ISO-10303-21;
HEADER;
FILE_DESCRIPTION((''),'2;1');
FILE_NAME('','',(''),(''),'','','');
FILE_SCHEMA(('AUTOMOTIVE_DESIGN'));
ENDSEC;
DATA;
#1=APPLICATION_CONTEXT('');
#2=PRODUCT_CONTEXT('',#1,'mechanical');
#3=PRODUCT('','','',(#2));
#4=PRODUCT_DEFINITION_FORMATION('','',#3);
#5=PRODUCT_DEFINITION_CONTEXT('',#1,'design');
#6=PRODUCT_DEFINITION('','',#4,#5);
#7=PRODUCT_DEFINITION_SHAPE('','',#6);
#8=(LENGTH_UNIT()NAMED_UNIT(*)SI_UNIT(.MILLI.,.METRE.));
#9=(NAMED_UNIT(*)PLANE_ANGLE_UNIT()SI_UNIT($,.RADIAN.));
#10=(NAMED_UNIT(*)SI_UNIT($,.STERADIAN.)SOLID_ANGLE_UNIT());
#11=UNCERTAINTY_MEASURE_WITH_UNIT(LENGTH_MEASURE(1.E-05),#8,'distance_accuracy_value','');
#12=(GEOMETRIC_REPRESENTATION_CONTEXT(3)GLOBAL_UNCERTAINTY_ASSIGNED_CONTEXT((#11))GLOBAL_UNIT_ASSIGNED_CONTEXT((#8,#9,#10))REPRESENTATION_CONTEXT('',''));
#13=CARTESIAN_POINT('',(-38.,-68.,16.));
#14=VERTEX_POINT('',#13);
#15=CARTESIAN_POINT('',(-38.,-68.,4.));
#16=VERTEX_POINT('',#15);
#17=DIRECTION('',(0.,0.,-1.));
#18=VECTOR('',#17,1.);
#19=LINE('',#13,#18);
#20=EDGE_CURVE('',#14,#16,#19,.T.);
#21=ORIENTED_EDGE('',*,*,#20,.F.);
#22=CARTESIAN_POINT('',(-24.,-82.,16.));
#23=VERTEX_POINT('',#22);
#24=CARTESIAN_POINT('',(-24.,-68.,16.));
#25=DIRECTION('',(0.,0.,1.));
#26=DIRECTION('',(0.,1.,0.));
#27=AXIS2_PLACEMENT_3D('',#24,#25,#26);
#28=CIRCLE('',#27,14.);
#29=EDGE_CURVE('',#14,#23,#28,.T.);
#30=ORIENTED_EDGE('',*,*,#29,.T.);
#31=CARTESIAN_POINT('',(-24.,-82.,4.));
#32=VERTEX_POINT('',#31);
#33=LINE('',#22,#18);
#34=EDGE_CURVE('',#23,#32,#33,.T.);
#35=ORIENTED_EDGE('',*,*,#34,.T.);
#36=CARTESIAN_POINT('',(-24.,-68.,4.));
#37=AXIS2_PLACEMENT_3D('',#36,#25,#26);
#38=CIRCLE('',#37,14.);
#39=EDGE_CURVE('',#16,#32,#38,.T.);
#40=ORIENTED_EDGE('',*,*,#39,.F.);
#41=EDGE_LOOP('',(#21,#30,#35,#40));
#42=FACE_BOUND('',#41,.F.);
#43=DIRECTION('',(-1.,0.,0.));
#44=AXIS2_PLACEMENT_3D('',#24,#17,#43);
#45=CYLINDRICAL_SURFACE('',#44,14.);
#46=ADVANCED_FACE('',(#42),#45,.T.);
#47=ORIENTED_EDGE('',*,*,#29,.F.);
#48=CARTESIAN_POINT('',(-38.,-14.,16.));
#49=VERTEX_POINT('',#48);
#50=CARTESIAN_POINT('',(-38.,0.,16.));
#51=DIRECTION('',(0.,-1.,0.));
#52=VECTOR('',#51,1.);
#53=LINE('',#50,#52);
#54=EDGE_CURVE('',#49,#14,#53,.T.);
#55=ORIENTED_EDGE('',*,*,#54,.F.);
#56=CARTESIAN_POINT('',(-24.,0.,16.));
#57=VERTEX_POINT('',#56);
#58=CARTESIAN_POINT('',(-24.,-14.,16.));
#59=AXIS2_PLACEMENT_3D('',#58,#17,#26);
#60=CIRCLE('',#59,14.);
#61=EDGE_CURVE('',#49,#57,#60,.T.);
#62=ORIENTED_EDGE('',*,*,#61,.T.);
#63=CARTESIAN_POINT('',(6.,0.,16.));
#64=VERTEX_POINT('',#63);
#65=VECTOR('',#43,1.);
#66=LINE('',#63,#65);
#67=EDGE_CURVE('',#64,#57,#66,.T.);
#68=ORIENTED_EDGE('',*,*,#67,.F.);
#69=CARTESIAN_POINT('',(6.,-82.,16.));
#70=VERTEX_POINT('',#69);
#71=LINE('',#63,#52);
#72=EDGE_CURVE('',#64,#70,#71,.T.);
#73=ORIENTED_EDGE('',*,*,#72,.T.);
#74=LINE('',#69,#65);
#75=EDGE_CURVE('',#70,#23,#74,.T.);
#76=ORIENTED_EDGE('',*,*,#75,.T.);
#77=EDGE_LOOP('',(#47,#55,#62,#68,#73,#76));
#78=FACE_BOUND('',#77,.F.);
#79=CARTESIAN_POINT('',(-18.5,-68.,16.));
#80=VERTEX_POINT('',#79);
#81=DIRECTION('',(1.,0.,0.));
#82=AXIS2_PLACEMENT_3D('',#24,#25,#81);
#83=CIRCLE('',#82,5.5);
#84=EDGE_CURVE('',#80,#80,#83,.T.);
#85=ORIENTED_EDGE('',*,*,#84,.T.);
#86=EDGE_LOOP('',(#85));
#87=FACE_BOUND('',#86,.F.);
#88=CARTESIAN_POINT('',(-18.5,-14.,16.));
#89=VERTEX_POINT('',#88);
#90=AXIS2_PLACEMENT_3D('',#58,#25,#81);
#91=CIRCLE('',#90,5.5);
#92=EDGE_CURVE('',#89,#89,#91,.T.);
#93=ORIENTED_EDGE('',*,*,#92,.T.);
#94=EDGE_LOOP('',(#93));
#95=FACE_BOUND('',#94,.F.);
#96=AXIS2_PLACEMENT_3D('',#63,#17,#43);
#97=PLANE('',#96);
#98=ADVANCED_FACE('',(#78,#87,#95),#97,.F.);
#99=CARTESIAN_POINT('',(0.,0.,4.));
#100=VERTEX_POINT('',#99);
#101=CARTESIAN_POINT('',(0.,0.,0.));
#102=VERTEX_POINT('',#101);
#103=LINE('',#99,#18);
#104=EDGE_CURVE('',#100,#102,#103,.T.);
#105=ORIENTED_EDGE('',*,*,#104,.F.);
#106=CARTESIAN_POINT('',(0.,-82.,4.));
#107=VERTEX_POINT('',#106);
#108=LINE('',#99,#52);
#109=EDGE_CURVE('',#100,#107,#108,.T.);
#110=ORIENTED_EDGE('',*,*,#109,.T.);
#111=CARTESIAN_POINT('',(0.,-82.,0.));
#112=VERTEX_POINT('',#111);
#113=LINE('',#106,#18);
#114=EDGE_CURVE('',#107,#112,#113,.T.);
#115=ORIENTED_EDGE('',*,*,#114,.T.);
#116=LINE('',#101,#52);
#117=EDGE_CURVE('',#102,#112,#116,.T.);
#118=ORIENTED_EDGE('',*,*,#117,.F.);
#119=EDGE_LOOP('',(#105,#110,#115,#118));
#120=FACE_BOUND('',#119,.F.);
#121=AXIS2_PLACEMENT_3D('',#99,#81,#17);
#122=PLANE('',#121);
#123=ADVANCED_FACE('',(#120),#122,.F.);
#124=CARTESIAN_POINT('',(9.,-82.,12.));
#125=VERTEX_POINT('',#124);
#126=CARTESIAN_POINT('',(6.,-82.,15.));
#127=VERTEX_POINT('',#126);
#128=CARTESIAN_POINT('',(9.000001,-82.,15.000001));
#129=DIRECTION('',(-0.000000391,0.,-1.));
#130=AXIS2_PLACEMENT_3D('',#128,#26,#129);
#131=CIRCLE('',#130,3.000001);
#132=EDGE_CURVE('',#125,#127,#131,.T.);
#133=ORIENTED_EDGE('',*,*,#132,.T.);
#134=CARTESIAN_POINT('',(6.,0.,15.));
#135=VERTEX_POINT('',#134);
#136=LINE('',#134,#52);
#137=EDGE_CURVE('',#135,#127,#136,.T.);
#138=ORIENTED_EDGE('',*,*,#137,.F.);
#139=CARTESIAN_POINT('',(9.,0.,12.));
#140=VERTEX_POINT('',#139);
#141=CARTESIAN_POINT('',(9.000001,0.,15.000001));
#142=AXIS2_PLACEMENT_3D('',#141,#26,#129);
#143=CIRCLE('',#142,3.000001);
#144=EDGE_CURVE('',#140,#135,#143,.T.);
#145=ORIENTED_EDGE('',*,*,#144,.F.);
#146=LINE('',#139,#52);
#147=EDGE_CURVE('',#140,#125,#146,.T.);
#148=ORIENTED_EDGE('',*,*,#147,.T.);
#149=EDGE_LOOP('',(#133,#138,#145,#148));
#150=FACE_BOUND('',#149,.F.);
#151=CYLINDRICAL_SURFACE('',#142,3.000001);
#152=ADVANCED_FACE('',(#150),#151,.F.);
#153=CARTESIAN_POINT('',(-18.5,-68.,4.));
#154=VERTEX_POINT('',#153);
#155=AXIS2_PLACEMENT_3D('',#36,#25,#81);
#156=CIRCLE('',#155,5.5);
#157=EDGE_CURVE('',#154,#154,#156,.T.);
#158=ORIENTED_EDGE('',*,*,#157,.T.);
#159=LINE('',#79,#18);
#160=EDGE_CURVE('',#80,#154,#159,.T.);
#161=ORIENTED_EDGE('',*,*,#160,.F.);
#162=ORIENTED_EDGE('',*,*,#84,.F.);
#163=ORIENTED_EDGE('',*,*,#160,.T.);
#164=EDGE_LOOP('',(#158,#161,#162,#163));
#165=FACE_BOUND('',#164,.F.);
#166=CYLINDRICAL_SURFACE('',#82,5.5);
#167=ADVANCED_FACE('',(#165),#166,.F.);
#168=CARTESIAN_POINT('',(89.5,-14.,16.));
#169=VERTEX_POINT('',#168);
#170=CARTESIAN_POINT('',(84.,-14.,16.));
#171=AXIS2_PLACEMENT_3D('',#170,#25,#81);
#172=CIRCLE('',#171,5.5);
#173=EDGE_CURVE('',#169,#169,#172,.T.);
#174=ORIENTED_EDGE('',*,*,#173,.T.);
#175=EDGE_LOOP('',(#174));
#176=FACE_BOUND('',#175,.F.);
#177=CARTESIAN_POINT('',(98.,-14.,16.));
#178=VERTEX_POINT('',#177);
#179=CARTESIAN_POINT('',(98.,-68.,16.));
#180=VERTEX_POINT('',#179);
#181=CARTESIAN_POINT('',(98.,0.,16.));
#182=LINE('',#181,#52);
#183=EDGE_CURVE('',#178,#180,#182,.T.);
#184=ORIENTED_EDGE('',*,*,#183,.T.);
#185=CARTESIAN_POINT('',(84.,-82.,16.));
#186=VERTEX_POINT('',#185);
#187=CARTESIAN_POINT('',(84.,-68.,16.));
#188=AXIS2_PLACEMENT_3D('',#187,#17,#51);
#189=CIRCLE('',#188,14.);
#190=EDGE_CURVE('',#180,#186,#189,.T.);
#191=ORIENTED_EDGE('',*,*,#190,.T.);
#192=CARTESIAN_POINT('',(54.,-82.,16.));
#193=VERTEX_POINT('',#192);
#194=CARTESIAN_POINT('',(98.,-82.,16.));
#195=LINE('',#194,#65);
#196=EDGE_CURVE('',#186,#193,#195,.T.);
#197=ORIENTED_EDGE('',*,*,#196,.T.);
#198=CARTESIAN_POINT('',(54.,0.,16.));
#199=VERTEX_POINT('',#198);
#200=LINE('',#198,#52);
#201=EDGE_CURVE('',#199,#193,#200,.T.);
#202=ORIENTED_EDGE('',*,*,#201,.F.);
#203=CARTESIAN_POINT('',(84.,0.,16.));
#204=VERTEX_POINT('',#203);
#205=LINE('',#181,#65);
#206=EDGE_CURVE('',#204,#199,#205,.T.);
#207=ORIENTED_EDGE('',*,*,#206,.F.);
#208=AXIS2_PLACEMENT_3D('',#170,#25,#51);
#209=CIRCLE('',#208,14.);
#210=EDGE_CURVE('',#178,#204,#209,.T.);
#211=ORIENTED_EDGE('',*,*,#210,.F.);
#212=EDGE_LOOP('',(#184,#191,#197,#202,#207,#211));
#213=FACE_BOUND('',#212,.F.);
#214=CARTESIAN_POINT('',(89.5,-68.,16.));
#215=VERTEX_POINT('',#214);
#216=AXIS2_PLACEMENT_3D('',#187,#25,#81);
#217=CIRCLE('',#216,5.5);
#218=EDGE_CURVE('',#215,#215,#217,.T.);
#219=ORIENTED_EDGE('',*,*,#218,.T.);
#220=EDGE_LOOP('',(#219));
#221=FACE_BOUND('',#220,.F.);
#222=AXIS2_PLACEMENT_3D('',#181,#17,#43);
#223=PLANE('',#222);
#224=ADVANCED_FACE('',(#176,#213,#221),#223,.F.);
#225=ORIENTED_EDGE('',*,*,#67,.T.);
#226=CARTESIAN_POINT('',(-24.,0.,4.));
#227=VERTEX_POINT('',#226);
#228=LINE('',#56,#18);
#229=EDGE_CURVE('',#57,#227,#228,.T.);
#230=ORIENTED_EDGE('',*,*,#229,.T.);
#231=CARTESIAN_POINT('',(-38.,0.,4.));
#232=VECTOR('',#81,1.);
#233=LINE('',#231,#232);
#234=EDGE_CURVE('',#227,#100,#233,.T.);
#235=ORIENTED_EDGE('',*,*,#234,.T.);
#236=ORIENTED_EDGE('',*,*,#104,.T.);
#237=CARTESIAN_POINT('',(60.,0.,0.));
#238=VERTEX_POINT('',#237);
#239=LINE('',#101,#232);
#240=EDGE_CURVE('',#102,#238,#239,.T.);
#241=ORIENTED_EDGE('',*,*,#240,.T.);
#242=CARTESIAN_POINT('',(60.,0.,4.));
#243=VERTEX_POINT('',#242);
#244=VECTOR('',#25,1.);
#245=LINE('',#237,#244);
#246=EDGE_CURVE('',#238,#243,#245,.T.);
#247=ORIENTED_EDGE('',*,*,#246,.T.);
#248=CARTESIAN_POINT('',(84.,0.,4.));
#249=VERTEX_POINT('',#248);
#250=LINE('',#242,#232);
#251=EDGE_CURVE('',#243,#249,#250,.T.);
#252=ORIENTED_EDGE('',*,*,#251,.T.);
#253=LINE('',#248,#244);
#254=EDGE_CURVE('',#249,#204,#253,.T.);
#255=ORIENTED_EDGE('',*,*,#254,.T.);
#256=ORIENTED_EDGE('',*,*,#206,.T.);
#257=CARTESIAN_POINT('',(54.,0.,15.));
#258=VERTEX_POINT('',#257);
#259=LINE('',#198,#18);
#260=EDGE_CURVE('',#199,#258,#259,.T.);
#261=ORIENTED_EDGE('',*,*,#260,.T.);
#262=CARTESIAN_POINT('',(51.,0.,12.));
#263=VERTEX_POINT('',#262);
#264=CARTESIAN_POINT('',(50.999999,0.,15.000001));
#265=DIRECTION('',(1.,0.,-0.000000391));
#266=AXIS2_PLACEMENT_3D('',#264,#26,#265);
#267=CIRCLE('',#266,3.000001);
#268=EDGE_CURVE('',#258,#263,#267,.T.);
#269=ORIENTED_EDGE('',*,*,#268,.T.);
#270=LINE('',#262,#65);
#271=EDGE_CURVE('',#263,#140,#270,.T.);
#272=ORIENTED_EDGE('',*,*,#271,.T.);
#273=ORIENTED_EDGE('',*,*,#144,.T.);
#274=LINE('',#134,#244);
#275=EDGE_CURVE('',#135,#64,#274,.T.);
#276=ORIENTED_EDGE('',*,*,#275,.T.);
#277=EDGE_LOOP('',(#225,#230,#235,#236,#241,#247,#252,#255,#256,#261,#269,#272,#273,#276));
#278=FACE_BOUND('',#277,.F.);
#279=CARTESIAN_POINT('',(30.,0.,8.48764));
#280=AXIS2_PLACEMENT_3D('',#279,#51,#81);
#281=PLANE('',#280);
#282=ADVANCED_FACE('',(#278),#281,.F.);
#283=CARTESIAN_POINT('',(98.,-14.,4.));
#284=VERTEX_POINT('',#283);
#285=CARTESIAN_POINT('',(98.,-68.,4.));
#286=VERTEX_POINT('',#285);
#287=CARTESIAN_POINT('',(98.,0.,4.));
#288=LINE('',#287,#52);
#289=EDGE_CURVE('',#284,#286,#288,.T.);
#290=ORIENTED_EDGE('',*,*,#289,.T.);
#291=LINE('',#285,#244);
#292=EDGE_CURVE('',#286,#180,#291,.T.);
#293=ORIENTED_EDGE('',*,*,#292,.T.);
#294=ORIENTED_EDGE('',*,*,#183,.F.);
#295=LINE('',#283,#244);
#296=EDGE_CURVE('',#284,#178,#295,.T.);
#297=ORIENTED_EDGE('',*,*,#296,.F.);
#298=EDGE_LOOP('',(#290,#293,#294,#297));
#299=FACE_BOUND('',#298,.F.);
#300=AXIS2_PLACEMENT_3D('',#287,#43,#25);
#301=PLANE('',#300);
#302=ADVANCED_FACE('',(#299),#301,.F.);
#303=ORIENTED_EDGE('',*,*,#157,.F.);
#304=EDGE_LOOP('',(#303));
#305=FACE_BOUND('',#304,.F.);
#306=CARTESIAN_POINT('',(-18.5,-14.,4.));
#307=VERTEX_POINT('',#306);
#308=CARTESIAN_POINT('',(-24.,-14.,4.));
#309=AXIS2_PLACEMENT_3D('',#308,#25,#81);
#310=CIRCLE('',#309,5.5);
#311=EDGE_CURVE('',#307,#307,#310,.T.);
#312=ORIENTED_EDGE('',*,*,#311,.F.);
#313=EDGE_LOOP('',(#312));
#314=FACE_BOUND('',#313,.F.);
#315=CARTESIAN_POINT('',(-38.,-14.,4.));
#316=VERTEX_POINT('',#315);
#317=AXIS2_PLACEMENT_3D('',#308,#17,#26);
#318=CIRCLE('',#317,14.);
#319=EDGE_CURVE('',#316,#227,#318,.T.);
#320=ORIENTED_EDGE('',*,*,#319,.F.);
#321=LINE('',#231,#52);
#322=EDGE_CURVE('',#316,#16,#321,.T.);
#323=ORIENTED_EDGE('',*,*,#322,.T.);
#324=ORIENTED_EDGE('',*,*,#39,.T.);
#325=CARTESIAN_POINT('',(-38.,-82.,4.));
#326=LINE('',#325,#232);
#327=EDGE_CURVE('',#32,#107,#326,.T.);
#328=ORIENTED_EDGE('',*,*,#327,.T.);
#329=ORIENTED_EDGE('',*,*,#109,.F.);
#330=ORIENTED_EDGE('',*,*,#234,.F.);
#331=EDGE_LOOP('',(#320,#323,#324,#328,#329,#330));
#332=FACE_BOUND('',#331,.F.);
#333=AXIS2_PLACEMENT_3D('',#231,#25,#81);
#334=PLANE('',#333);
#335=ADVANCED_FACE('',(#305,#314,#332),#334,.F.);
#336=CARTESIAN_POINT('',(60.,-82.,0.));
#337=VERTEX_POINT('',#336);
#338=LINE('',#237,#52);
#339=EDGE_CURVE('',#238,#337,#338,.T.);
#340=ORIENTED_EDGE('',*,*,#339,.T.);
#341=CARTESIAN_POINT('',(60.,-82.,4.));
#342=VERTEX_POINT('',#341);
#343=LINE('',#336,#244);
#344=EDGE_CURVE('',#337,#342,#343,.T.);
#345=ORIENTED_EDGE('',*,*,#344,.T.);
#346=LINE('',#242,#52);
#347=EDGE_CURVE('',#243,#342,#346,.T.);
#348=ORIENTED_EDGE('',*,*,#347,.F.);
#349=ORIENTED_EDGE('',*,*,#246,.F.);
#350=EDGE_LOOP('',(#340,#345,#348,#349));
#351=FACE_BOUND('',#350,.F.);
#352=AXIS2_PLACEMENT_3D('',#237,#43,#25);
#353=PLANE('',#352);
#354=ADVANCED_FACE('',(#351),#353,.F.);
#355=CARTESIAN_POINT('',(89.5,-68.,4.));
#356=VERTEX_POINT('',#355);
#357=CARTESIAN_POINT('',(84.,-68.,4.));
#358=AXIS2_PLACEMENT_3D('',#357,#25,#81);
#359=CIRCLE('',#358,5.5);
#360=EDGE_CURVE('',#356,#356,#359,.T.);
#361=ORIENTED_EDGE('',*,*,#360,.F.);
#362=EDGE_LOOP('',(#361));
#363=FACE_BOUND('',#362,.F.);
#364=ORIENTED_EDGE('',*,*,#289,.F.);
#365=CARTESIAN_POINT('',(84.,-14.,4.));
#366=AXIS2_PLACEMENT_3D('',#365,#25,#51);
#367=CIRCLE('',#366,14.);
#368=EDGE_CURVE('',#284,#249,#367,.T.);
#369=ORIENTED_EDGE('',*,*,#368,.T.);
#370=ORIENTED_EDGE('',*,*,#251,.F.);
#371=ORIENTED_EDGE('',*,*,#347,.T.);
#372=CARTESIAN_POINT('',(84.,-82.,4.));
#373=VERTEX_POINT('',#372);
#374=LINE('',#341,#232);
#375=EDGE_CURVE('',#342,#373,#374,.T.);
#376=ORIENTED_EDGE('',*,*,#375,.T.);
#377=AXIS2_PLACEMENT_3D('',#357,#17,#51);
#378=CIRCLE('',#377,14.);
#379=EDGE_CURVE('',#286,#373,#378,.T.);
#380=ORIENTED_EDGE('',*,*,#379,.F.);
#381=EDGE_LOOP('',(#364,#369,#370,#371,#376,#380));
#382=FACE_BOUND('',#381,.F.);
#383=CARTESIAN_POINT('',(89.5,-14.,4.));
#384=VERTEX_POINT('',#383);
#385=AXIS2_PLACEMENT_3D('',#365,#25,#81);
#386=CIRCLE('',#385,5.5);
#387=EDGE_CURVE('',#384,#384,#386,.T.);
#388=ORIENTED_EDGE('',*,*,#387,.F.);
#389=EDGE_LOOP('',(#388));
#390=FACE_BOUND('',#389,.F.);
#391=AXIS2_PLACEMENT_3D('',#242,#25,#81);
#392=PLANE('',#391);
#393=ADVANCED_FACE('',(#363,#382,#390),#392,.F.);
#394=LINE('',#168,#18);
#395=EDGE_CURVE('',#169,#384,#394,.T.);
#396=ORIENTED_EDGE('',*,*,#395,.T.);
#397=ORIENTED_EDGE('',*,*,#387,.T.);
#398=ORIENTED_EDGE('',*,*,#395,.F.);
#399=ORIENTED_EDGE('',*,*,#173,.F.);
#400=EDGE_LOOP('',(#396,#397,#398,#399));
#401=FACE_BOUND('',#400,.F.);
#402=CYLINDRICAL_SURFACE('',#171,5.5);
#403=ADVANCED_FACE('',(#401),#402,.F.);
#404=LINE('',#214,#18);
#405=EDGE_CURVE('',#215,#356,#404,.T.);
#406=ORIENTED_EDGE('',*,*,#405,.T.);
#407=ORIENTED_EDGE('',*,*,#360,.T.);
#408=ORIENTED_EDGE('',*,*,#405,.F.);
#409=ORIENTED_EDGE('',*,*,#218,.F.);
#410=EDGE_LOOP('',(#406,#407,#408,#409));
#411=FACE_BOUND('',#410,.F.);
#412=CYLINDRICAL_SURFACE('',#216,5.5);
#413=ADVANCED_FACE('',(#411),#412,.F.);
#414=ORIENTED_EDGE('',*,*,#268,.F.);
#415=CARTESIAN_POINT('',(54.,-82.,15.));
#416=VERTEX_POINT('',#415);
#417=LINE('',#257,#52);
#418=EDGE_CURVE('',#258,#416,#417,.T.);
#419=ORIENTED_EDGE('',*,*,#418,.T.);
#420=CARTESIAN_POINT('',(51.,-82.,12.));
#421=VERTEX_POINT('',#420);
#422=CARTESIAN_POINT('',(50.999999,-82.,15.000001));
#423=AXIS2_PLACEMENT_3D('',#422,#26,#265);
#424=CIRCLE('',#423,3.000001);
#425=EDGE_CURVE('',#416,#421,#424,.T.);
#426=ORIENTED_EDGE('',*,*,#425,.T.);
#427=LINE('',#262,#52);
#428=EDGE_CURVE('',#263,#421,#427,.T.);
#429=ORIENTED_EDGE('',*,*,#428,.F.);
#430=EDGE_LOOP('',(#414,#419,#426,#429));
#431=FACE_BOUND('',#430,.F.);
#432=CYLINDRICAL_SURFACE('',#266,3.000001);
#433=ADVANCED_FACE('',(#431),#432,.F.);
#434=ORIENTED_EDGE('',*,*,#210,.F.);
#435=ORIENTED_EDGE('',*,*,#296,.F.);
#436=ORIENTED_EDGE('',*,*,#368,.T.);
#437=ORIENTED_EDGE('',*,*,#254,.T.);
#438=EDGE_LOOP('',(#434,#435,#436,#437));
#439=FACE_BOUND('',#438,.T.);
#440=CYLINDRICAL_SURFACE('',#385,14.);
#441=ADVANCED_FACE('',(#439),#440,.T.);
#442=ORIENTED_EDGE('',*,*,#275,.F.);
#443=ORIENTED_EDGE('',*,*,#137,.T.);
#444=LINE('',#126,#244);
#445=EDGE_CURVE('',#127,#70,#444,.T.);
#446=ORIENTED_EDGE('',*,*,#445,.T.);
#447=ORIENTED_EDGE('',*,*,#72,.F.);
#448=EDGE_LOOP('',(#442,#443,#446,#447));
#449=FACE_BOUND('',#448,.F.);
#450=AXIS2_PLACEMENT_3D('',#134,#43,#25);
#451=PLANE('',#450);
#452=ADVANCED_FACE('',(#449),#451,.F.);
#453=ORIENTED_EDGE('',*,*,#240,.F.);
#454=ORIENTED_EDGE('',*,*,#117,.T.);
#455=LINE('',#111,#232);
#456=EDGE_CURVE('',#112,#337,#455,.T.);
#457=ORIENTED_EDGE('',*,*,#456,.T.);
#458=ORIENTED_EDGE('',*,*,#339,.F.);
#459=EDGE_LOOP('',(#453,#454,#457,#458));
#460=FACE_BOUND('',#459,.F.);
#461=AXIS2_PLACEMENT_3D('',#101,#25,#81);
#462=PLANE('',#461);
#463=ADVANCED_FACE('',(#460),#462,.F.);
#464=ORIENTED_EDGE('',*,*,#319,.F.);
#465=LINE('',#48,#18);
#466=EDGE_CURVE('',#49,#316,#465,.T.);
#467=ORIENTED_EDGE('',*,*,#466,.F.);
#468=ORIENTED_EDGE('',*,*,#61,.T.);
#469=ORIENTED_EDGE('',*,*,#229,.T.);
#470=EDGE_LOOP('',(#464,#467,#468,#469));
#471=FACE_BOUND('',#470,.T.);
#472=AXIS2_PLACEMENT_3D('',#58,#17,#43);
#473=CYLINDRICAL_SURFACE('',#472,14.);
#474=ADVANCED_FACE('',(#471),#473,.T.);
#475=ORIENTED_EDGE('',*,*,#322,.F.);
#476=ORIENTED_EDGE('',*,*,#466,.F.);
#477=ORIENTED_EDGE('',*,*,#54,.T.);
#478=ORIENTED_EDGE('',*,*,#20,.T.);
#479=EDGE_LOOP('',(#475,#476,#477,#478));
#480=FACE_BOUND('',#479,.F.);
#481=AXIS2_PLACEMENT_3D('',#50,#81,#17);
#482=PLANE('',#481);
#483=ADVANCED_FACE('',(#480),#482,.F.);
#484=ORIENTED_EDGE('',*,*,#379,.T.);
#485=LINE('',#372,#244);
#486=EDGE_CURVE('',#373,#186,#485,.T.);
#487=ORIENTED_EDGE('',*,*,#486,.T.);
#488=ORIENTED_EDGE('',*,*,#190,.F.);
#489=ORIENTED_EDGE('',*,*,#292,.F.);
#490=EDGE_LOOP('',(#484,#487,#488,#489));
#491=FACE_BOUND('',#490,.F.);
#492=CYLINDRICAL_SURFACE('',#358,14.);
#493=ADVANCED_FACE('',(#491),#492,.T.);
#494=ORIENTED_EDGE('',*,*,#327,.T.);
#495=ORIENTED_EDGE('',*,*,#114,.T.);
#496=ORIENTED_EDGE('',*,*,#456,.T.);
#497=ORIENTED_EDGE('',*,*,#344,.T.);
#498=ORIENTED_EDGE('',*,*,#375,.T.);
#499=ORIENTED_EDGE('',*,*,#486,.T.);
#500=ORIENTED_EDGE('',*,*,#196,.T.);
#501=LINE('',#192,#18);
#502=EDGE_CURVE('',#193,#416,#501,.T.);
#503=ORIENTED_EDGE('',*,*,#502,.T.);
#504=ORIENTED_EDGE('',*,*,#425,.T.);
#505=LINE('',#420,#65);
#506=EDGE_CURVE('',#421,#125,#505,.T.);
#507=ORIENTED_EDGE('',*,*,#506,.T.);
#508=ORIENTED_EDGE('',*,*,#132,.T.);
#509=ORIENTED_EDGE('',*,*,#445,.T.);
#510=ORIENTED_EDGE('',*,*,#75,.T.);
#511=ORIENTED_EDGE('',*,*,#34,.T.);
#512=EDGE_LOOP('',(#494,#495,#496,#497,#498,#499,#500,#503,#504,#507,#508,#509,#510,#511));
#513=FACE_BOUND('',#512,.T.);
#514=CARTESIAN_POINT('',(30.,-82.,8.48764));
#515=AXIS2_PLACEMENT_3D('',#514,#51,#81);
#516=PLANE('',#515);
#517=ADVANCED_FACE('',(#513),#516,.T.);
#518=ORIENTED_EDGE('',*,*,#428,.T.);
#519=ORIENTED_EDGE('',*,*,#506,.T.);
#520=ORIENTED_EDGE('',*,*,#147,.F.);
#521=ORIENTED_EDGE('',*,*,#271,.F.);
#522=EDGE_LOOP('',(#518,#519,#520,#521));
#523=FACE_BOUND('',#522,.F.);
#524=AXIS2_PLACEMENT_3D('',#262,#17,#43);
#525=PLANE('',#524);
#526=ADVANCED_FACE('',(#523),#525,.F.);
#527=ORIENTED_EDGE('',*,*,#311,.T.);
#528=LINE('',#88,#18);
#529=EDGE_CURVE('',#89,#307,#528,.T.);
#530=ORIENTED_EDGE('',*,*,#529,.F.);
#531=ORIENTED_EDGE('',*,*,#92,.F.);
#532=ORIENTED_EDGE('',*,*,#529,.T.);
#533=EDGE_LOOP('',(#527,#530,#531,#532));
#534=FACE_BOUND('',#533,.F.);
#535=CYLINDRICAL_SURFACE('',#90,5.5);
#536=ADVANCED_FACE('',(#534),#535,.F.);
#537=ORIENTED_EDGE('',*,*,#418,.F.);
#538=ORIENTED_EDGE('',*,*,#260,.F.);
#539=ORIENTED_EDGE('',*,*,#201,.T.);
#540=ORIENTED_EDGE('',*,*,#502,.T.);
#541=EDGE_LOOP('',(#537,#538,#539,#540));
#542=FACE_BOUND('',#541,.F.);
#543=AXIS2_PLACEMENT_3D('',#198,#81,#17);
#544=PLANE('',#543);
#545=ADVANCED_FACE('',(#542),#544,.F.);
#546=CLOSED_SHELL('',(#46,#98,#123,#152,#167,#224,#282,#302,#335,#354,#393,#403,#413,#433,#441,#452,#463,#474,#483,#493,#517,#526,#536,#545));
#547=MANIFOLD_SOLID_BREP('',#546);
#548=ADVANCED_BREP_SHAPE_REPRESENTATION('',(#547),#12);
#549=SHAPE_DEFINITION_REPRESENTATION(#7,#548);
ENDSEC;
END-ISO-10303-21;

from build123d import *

# Parameters (mm, degrees)
F1_DEPTH = 82
F2_R     = 14
F3_R     = 5.5
F4_DEPTH = 25


with BuildPart() as f1:
    # F0 (on Front) → F1 (new body)
    with BuildSketch(Plane.XZ):
        with BuildLine():
            Line((0, 4), (0, 0))
            Line((0, 0), (60, 0))
            Line((60, 0), (60, 4))
            Line((60, 4), (98, 4))
            Line((98, 4), (98, 16))
            Line((98, 16), (54, 16))
            Line((54, 16), (54, 15))
            ThreePointArc((54, 15), (53.12132, 12.87868), (51, 12))
            Line((51, 12), (9, 12))
            ThreePointArc((9, 12), (6.87868, 12.87868), (6, 15))
            Line((6, 15), (6, 16))
            Line((6, 16), (-38, 16))
            Line((-38, 16), (-38, 4))
            Line((-38, 4), (0, 4))
        make_face()
    extrude(amount=F1_DEPTH)

    # F2
    f2_edges = [f1.edges().sort_by_distance(p)[0] for p in [
        (98, -82, 10),
        (98, 0, 10),
        (-38, 0, 10),
        (-38, -82, 10),
    ]]
    fillet(f2_edges, radius=F2_R)

    # F3 (on face) → F4 (cut)
    with BuildSketch(Plane.XY.offset(16)):
        with Locations((-24, -14)):
            Circle(F3_R)
        with Locations((-24, -68)):
            Circle(F3_R)
        with Locations((84, -68)):
            Circle(F3_R)
        with Locations((84, -14)):
            Circle(F3_R)
    extrude(amount=-F4_DEPTH, mode=Mode.SUBTRACT)


solid = f1.part
